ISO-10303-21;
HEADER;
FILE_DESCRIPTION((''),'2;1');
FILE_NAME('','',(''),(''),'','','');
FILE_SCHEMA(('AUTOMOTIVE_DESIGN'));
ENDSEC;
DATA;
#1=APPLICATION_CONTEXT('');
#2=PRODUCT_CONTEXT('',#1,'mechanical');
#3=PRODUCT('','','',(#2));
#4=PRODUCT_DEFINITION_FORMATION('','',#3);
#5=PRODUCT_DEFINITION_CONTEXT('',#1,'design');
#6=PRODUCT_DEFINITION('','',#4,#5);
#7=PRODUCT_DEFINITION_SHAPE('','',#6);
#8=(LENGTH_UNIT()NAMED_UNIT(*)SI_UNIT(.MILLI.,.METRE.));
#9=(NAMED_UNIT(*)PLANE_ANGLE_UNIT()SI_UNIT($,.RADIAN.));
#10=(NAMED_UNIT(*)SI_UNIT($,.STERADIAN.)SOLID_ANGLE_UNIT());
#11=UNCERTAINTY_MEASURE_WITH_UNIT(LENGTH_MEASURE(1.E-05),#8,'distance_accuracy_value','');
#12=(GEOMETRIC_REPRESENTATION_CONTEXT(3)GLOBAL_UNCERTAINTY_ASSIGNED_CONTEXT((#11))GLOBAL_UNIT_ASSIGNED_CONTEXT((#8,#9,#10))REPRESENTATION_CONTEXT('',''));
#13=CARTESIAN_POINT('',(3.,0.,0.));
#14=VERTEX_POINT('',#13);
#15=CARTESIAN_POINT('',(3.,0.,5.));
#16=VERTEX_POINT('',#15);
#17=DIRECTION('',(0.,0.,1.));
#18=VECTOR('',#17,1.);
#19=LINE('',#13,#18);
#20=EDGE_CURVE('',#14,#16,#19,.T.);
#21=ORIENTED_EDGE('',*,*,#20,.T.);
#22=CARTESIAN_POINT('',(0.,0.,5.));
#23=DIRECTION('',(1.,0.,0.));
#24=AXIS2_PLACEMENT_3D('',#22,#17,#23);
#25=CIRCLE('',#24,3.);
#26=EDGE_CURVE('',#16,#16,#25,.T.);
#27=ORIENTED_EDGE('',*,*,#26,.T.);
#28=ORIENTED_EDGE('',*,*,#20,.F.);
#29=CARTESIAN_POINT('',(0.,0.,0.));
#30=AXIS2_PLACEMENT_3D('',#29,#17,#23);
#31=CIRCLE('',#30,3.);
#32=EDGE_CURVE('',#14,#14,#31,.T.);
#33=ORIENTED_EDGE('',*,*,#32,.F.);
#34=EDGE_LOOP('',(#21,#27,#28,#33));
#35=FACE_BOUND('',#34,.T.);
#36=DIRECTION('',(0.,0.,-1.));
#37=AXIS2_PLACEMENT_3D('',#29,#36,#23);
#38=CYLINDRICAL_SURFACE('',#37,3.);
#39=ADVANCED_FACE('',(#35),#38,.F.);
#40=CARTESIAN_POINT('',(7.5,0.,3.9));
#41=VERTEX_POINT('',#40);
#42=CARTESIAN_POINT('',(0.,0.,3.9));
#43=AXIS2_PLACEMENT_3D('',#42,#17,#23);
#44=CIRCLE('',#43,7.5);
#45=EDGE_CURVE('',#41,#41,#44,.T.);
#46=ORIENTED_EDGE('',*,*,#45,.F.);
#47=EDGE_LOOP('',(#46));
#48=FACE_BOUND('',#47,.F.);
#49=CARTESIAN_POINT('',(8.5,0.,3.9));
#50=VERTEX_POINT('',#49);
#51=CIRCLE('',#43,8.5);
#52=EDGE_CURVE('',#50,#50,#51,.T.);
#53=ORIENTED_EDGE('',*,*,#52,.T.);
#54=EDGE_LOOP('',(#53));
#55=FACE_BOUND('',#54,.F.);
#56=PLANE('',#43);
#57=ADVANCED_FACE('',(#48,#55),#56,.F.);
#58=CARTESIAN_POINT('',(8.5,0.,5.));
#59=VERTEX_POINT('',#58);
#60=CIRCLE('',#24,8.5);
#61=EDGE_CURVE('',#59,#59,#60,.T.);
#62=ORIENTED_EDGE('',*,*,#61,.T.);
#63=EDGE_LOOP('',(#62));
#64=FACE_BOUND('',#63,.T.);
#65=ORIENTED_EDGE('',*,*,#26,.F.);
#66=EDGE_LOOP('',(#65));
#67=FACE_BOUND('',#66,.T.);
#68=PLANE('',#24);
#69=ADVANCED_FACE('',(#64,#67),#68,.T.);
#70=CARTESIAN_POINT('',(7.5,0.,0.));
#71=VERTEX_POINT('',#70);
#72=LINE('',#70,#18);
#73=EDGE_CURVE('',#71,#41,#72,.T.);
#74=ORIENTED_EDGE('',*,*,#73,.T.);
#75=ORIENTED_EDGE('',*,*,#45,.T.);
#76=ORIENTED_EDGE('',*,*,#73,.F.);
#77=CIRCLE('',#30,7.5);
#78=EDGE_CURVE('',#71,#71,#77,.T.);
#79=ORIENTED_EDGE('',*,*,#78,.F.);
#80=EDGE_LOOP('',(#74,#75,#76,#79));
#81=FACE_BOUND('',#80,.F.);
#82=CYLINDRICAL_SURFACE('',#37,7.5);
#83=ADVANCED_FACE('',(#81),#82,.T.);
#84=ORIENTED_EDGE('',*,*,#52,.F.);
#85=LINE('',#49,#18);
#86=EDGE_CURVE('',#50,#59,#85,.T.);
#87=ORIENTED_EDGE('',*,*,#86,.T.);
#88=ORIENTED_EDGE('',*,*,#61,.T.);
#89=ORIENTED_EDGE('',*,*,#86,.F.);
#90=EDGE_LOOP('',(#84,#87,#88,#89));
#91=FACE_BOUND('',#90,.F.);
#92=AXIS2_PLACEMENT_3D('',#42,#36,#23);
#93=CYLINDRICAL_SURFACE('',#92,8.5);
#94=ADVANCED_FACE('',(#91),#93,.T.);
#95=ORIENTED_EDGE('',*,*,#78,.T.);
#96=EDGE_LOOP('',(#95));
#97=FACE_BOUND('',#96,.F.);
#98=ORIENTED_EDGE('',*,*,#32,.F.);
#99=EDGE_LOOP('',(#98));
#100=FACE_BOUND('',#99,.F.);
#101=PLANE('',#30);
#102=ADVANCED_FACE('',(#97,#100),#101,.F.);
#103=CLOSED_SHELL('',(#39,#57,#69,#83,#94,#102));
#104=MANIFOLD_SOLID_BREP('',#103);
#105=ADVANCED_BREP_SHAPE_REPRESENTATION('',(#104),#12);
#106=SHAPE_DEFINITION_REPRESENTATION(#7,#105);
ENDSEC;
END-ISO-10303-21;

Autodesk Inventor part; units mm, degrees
ref_plane "YZ Plane" through (0, 0, 0) normal (1, 0, 0) x (0, 1, 0)
ref_plane "XZ Plane" through (0, 0, 0) normal (0, 1, 0) x (-1, 0, 0)
ref_plane "XY Plane" through (0, 0, 0) normal (0, 0, 1) x (1, 0, 0)
sketch "スケッチ1" plane through (0, 0, 0) normal (0, 0, 1) x (1, 0, 0)
  circle A0 centre (0, 0) radius 3
  circle A1 centre (0, 0) radius 7.5
  dimension "d0" = 6
  dimension "d1" = 15
extrude "押し出し1" add sketch "スケッチ1" along normal blind 3.9
sketch "スケッチ2" plane through (0, 0, 3.9) normal (0, 0, 1) x (1, 0, 0)
  circle A0 centre (0, 0) radius 8.5
  circle A1 centre (0, 0) radius 3
  dimension "d4" = 17
  dimension "d5" = 6
extrude "押し出し2" add sketch "スケッチ2" along normal blind 1.1
properties part number "ベアリング 6.15" material "ステンレス鋼"
